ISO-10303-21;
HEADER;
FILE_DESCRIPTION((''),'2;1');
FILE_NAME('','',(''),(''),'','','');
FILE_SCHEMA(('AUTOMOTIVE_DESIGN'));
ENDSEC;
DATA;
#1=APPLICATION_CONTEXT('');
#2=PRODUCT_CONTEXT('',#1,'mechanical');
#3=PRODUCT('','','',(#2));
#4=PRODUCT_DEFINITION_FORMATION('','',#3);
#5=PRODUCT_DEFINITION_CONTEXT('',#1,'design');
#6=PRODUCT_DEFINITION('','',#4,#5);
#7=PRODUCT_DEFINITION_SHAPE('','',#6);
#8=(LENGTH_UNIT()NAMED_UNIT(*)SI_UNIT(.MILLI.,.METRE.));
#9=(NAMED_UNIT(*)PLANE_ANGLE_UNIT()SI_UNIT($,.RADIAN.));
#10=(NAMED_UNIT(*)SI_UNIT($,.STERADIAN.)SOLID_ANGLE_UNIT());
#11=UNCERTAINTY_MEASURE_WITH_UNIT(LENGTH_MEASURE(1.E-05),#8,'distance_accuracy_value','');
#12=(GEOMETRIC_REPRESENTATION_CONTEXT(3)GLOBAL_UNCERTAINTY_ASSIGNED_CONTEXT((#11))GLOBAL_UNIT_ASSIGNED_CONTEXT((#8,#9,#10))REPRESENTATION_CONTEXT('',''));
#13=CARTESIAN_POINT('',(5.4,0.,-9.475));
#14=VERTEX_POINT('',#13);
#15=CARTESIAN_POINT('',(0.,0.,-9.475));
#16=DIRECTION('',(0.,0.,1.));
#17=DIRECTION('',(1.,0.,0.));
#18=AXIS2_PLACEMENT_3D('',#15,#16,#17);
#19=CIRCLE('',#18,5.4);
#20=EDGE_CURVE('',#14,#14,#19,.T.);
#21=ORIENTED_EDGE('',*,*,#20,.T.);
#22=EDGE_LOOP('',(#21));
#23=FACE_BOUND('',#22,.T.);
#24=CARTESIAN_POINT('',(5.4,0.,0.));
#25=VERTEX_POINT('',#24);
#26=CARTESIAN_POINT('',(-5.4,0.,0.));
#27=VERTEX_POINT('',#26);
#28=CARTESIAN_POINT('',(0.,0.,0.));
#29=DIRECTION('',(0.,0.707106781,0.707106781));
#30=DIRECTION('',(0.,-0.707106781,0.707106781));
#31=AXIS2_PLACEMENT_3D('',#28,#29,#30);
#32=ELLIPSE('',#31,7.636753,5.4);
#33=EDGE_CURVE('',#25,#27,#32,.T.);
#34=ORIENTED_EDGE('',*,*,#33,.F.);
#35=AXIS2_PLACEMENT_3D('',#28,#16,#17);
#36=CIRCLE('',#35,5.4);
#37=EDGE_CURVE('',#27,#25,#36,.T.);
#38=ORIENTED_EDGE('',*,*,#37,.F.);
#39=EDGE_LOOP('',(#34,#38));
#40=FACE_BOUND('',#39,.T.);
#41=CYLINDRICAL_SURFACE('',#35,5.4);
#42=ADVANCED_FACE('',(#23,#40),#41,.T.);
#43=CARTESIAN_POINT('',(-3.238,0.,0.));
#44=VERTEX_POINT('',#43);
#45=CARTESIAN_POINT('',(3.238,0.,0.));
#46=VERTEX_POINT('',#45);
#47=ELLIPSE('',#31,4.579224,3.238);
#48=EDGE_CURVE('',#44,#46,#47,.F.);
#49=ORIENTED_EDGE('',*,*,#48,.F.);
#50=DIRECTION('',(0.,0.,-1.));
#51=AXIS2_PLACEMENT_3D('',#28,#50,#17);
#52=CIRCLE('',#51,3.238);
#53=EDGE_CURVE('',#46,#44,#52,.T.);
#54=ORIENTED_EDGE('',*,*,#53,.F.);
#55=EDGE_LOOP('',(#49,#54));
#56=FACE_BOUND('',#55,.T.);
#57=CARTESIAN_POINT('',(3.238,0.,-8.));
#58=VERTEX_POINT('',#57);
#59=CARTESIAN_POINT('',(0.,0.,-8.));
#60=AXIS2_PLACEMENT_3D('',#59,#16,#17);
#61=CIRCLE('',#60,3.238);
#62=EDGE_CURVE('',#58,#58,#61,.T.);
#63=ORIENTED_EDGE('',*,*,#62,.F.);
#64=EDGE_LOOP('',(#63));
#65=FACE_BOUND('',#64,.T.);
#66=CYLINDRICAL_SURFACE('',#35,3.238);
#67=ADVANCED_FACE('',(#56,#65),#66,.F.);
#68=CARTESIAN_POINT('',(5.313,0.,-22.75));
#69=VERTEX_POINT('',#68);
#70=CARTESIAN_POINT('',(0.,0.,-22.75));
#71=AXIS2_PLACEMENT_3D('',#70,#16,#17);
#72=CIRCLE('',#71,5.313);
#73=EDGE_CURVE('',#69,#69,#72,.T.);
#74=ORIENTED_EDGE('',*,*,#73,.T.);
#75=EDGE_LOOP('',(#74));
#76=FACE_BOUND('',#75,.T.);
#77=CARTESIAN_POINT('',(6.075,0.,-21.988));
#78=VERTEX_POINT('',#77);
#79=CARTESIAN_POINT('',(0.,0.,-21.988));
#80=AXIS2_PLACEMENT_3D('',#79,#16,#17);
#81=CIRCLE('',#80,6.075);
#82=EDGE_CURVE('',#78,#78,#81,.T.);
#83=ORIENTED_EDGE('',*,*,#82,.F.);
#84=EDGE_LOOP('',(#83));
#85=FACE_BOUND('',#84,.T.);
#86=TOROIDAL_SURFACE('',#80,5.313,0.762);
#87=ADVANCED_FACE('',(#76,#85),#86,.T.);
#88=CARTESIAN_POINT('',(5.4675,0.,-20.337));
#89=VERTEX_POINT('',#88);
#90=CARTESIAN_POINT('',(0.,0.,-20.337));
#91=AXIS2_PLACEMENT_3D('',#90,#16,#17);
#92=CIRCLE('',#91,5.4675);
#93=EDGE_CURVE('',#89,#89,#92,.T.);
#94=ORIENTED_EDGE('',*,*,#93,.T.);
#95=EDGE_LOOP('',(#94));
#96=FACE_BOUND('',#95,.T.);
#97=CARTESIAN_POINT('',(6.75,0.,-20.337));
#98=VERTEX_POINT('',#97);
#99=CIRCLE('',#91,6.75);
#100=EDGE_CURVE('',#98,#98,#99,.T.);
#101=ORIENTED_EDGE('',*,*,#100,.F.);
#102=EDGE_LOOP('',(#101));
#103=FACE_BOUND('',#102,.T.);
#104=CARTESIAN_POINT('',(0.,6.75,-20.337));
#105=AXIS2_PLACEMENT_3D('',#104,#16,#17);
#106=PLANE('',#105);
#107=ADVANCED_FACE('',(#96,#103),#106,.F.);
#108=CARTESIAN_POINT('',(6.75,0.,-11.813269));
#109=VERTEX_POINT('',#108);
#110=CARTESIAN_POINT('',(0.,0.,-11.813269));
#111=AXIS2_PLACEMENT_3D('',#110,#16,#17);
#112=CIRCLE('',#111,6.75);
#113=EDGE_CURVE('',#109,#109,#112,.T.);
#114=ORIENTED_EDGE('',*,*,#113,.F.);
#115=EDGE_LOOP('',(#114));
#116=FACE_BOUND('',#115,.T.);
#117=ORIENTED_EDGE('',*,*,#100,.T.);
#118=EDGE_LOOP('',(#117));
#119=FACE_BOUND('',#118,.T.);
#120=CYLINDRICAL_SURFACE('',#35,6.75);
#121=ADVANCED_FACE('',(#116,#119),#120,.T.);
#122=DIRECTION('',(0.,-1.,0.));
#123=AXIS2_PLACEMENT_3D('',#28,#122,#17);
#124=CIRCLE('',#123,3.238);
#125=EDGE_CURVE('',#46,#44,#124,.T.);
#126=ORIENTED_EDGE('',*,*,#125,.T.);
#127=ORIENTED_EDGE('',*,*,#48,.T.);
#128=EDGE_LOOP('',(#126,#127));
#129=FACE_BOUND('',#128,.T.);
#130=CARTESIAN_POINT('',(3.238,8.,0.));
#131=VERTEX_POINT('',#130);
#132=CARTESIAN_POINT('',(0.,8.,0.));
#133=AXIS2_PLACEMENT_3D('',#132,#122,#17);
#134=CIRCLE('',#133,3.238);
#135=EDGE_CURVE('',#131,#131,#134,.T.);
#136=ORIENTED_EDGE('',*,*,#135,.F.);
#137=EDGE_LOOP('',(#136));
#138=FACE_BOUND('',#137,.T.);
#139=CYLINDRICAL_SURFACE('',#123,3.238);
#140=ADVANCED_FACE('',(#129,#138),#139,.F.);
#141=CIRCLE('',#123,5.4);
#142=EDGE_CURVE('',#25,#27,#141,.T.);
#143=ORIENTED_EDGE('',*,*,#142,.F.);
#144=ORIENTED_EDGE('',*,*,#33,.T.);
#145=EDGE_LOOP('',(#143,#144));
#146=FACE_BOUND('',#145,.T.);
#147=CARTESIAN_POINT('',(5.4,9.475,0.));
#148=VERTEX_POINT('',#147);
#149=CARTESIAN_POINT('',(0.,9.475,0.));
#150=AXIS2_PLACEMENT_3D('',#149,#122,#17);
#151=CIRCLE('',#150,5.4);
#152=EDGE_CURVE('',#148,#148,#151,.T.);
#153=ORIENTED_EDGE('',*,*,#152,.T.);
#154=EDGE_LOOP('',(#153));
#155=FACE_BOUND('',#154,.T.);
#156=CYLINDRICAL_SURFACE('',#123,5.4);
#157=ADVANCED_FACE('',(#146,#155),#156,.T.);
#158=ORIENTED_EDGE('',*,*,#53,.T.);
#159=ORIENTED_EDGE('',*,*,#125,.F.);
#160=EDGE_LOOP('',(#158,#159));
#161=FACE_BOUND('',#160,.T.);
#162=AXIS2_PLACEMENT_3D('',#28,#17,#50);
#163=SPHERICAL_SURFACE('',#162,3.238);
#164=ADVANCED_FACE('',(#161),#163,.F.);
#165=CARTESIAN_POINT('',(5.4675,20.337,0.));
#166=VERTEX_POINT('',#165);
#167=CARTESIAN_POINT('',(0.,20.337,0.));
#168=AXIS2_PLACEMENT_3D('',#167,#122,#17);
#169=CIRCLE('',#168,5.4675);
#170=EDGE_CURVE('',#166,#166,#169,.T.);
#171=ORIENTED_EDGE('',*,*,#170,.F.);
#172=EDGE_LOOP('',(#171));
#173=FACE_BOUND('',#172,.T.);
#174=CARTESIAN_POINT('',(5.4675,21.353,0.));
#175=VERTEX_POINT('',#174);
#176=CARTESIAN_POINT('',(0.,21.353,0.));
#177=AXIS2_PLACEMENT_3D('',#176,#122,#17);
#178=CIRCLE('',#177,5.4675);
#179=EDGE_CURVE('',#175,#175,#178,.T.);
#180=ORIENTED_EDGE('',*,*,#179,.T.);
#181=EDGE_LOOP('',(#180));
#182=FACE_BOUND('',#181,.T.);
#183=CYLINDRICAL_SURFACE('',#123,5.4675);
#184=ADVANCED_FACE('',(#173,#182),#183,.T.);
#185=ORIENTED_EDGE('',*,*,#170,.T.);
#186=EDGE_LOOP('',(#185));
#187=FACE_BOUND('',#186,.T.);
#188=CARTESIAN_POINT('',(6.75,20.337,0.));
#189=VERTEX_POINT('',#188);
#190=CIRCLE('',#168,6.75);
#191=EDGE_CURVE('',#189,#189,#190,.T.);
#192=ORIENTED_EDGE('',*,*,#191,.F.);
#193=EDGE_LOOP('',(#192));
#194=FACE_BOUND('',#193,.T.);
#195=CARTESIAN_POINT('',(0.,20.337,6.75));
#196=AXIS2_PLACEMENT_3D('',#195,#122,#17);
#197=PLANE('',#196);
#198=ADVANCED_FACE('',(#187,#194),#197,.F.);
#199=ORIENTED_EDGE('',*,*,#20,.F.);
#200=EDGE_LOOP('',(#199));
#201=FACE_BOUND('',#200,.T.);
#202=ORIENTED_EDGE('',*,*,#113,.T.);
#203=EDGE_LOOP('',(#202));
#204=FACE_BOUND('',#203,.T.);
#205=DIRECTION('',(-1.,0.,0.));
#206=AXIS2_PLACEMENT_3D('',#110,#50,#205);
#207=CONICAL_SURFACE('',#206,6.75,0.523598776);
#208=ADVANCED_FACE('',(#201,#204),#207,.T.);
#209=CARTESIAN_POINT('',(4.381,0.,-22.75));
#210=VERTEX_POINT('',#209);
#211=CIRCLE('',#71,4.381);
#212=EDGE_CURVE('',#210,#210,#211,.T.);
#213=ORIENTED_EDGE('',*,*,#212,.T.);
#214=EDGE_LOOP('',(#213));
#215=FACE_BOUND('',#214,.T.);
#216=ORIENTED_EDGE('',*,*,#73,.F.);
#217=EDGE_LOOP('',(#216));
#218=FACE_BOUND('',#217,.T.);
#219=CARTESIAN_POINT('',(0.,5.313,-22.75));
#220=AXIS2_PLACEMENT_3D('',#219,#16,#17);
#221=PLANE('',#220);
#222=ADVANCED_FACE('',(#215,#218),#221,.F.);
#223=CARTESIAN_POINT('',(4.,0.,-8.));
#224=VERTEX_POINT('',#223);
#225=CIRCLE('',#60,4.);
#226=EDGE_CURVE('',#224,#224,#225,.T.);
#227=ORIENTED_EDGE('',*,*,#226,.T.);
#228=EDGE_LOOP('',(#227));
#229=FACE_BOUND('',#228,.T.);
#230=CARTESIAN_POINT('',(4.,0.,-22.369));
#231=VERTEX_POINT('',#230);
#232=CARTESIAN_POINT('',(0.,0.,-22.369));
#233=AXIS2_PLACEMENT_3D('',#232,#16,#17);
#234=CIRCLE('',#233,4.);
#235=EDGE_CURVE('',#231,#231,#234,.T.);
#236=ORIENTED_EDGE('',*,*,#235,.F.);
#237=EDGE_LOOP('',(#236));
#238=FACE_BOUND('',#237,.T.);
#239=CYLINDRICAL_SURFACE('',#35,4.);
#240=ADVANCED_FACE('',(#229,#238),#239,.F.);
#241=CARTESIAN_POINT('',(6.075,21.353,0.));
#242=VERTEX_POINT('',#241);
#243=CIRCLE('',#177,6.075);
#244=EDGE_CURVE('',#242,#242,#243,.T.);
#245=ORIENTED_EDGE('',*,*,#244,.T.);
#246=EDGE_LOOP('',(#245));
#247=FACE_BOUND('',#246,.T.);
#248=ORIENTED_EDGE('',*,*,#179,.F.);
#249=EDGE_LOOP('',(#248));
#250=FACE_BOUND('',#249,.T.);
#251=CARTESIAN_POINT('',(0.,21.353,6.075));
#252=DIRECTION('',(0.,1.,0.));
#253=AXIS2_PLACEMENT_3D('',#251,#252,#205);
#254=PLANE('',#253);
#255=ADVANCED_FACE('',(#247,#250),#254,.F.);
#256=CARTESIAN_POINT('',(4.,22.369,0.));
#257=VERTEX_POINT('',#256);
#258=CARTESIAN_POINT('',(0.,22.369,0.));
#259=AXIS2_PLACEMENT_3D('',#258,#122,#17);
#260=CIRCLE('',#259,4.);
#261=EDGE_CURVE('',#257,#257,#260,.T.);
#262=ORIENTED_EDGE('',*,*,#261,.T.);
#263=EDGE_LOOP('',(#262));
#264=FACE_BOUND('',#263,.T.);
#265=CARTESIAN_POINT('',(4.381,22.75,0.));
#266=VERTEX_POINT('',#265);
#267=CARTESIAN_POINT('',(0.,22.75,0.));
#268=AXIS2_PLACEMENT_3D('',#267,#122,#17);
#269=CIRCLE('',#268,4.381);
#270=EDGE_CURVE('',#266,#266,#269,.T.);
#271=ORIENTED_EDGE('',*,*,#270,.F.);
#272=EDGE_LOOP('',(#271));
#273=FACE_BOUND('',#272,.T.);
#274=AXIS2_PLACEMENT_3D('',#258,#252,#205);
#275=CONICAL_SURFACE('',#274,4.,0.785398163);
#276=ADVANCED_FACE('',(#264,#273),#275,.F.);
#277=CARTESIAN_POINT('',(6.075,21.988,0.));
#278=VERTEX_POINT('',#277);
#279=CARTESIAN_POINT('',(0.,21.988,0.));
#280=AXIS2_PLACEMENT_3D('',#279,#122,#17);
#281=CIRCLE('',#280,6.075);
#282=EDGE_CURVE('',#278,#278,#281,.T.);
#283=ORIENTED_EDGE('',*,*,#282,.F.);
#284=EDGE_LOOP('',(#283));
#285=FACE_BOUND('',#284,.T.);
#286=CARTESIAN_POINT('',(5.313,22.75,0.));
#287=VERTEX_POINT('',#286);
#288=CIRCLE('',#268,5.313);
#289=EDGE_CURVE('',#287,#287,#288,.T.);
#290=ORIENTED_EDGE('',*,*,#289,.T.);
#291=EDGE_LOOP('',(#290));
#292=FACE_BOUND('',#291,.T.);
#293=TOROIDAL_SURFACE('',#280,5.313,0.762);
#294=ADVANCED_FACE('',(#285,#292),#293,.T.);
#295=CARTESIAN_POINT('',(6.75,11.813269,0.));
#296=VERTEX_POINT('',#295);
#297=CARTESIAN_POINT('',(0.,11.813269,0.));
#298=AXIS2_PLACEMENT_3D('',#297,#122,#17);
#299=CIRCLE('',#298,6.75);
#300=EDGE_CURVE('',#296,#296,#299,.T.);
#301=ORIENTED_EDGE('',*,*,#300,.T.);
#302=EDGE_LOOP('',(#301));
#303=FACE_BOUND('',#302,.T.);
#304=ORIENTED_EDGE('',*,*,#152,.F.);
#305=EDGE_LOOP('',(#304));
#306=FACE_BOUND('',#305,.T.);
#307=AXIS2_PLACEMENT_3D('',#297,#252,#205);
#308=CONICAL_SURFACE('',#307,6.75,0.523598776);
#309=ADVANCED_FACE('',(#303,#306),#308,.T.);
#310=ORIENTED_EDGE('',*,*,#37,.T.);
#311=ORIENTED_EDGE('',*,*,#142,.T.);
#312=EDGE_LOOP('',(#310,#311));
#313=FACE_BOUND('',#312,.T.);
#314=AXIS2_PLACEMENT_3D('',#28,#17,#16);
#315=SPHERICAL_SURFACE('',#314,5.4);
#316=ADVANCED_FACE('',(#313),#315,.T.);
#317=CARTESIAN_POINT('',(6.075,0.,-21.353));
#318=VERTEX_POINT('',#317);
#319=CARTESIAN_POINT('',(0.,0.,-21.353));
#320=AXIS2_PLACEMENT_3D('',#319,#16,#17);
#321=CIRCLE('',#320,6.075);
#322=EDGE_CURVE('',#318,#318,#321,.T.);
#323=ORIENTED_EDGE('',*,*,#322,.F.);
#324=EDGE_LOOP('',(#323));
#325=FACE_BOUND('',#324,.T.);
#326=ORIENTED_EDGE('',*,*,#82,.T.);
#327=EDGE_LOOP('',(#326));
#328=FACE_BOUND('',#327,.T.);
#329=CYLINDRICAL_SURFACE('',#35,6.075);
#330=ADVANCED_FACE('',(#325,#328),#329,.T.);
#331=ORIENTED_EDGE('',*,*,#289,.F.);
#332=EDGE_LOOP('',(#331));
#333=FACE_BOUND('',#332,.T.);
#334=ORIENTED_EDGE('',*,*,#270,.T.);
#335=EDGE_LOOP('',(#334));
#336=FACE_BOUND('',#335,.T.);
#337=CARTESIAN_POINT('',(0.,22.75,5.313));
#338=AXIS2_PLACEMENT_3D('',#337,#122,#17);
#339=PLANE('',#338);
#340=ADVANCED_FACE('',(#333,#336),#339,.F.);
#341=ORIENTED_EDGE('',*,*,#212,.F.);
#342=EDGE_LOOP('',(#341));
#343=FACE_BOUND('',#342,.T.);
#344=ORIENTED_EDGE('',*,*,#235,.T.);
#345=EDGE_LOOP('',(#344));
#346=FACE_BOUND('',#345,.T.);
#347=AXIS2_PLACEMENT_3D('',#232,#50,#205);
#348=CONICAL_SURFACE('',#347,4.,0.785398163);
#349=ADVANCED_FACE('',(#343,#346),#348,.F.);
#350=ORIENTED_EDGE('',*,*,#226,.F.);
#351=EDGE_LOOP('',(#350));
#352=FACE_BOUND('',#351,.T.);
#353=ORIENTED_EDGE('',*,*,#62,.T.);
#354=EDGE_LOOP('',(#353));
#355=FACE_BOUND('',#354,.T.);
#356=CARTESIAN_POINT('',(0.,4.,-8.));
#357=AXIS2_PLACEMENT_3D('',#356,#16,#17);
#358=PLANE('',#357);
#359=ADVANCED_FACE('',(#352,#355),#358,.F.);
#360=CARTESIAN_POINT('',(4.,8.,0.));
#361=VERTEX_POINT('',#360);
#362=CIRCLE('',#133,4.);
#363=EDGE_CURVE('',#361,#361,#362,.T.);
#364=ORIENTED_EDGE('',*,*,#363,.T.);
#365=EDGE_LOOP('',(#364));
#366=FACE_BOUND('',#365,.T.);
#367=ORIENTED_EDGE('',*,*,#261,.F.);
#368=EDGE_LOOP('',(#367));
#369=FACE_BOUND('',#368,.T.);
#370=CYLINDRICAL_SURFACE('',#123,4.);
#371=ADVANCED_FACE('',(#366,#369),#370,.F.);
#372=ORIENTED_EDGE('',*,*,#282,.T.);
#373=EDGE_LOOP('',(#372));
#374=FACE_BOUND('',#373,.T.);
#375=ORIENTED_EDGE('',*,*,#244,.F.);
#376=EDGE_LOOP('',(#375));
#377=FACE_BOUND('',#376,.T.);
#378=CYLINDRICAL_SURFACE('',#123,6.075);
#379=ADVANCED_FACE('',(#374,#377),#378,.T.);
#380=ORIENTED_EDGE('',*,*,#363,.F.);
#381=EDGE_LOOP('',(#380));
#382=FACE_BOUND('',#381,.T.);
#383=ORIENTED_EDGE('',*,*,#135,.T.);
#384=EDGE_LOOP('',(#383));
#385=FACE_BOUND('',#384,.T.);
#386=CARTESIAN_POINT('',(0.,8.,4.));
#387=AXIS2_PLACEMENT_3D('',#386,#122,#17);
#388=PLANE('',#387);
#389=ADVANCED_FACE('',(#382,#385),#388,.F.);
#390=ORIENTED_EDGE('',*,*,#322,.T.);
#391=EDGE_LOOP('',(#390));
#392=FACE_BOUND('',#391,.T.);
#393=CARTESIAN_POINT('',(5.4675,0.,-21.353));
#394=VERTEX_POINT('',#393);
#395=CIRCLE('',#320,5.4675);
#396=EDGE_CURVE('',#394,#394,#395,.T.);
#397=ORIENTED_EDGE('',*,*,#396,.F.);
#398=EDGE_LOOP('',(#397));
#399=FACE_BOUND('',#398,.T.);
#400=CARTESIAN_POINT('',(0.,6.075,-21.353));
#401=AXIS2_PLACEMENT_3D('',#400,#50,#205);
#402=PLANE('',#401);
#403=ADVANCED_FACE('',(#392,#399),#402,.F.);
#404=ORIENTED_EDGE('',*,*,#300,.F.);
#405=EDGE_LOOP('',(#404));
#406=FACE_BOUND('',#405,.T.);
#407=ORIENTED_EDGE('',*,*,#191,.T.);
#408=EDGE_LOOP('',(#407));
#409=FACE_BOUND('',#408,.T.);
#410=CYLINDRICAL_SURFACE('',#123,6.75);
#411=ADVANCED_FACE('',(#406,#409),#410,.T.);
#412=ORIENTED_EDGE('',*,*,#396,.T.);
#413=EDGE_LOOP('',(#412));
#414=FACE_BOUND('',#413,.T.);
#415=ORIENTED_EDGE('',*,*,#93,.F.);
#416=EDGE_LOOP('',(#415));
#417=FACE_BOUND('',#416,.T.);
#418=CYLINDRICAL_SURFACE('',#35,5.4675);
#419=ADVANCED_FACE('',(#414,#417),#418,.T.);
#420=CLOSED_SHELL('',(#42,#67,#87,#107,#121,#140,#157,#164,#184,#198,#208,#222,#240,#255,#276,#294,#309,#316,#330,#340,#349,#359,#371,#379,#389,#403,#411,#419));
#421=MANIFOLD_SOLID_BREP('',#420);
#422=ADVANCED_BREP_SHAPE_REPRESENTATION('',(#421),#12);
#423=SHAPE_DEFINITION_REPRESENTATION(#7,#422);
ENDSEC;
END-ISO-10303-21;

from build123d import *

# Parameters (mm, degrees)
CIRPATTERN1_COUNT = 2
CIRPATTERN1_ANGLE = 90
REVOLVE2_ANGLE    = 90
CIRPATTERN2_COUNT = 2
CIRPATTERN2_ANGLE = 90


with BuildPart() as part:
    # Sketch1 → Revolve1 (revolve)
    with BuildSketch(Plane(origin=(0, 0, 0), x_dir=(0, 0, -1), z_dir=(1, 0, 0)), mode=Mode.PRIVATE) as revolve1_sk:
        with BuildLine():
            Line((21.353, 6.075), (21.988, 6.075))
            ThreePointArc((21.988, 6.075), (22.526815367, 5.851815367), (22.75, 5.313))
            Line((22.75, 5.313), (22.75, 4.381))
            Line((22.75, 4.381), (22.369, 4))
            Line((22.369, 4), (8, 4))
            Line((8, 4), (8, 3.238))
            Line((8, 3.238), (0, 3.238))
            Line((0, 3.238), (0, 5.4))
            Line((0, 5.4), (9.475, 5.4))
            Line((9.475, 5.4), (11.81326859, 6.75))
            Line((11.81326859, 6.75), (20.337, 6.75))
            Line((20.337, 6.75), (20.337, 5.4675))
            Line((20.337, 5.4675), (21.353, 5.4675))
            Line((21.353, 5.4675), (21.353, 6.075))
        make_face()
    revolve(revolve1_sk.sketch.rotate(Axis((0, 0, 0), (0, 0, -1)), 90), axis=Axis((0, 0, 0), (0, 0, -1)))


with BuildPart() as cirpattern1_1:
    # CirPattern1: pattern copy
    add(part.part.rotate(Axis((-7.425, 0, 0), (1, 0, 0)), 1 * CIRPATTERN1_ANGLE / (CIRPATTERN1_COUNT - 1)))


with BuildPart() as part_1:
    add(part.part)

    # Sketch2 → Revolve2 (revolve)
    with BuildSketch(Plane.XY):
        with BuildLine():
            Line((-5.4, 0), (-3.238, 0))
            ThreePointArc((-3.238, 0), (0, -3.238), (3.238, 0))
            Line((3.238, 0), (5.4, 0))
            ThreePointArc((5.4, 0), (0, -5.4), (-5.4, 0))
        make_face()
    revolve(axis=Axis((-5.4, 0, 0), (-1, 0, 0)), revolution_arc=REVOLVE2_ANGLE)

    # Combine1: union CirPattern1_1
    add(cirpattern1_1.part)

    # Sketch3 → Cut-Revolve1 (revolve, cut)
    with BuildSketch(Plane(origin=(0, 0, 0), x_dir=(0, 0, -1), z_dir=(1, 0, 0)), mode=Mode.PRIVATE) as cut_revolve1_sk:
        Polygon((22.75, 4.381), (22.369, 4), (8, 4), (8, 3.238), (0, 3.238), (0, 0), (22.75, 0), align=None)
    cut_revolve1 = revolve(cut_revolve1_sk.sketch.rotate(Axis((0, 0, 0), (0, 0, -1)), 90), axis=Axis((0, 0, 0), (0, 0, -1)), mode=Mode.SUBTRACT)

    # CirPattern2: Cut-Revolve1 ×2 about axis
    cirpattern2_axis = Axis((-7.425, 0, 0), (1, 0, 0))
    for i in range(1, CIRPATTERN2_COUNT):
        add(cut_revolve1.rotate(cirpattern2_axis, i * CIRPATTERN2_ANGLE / (CIRPATTERN2_COUNT - 1)), mode=Mode.SUBTRACT)


solid = part_1.part
